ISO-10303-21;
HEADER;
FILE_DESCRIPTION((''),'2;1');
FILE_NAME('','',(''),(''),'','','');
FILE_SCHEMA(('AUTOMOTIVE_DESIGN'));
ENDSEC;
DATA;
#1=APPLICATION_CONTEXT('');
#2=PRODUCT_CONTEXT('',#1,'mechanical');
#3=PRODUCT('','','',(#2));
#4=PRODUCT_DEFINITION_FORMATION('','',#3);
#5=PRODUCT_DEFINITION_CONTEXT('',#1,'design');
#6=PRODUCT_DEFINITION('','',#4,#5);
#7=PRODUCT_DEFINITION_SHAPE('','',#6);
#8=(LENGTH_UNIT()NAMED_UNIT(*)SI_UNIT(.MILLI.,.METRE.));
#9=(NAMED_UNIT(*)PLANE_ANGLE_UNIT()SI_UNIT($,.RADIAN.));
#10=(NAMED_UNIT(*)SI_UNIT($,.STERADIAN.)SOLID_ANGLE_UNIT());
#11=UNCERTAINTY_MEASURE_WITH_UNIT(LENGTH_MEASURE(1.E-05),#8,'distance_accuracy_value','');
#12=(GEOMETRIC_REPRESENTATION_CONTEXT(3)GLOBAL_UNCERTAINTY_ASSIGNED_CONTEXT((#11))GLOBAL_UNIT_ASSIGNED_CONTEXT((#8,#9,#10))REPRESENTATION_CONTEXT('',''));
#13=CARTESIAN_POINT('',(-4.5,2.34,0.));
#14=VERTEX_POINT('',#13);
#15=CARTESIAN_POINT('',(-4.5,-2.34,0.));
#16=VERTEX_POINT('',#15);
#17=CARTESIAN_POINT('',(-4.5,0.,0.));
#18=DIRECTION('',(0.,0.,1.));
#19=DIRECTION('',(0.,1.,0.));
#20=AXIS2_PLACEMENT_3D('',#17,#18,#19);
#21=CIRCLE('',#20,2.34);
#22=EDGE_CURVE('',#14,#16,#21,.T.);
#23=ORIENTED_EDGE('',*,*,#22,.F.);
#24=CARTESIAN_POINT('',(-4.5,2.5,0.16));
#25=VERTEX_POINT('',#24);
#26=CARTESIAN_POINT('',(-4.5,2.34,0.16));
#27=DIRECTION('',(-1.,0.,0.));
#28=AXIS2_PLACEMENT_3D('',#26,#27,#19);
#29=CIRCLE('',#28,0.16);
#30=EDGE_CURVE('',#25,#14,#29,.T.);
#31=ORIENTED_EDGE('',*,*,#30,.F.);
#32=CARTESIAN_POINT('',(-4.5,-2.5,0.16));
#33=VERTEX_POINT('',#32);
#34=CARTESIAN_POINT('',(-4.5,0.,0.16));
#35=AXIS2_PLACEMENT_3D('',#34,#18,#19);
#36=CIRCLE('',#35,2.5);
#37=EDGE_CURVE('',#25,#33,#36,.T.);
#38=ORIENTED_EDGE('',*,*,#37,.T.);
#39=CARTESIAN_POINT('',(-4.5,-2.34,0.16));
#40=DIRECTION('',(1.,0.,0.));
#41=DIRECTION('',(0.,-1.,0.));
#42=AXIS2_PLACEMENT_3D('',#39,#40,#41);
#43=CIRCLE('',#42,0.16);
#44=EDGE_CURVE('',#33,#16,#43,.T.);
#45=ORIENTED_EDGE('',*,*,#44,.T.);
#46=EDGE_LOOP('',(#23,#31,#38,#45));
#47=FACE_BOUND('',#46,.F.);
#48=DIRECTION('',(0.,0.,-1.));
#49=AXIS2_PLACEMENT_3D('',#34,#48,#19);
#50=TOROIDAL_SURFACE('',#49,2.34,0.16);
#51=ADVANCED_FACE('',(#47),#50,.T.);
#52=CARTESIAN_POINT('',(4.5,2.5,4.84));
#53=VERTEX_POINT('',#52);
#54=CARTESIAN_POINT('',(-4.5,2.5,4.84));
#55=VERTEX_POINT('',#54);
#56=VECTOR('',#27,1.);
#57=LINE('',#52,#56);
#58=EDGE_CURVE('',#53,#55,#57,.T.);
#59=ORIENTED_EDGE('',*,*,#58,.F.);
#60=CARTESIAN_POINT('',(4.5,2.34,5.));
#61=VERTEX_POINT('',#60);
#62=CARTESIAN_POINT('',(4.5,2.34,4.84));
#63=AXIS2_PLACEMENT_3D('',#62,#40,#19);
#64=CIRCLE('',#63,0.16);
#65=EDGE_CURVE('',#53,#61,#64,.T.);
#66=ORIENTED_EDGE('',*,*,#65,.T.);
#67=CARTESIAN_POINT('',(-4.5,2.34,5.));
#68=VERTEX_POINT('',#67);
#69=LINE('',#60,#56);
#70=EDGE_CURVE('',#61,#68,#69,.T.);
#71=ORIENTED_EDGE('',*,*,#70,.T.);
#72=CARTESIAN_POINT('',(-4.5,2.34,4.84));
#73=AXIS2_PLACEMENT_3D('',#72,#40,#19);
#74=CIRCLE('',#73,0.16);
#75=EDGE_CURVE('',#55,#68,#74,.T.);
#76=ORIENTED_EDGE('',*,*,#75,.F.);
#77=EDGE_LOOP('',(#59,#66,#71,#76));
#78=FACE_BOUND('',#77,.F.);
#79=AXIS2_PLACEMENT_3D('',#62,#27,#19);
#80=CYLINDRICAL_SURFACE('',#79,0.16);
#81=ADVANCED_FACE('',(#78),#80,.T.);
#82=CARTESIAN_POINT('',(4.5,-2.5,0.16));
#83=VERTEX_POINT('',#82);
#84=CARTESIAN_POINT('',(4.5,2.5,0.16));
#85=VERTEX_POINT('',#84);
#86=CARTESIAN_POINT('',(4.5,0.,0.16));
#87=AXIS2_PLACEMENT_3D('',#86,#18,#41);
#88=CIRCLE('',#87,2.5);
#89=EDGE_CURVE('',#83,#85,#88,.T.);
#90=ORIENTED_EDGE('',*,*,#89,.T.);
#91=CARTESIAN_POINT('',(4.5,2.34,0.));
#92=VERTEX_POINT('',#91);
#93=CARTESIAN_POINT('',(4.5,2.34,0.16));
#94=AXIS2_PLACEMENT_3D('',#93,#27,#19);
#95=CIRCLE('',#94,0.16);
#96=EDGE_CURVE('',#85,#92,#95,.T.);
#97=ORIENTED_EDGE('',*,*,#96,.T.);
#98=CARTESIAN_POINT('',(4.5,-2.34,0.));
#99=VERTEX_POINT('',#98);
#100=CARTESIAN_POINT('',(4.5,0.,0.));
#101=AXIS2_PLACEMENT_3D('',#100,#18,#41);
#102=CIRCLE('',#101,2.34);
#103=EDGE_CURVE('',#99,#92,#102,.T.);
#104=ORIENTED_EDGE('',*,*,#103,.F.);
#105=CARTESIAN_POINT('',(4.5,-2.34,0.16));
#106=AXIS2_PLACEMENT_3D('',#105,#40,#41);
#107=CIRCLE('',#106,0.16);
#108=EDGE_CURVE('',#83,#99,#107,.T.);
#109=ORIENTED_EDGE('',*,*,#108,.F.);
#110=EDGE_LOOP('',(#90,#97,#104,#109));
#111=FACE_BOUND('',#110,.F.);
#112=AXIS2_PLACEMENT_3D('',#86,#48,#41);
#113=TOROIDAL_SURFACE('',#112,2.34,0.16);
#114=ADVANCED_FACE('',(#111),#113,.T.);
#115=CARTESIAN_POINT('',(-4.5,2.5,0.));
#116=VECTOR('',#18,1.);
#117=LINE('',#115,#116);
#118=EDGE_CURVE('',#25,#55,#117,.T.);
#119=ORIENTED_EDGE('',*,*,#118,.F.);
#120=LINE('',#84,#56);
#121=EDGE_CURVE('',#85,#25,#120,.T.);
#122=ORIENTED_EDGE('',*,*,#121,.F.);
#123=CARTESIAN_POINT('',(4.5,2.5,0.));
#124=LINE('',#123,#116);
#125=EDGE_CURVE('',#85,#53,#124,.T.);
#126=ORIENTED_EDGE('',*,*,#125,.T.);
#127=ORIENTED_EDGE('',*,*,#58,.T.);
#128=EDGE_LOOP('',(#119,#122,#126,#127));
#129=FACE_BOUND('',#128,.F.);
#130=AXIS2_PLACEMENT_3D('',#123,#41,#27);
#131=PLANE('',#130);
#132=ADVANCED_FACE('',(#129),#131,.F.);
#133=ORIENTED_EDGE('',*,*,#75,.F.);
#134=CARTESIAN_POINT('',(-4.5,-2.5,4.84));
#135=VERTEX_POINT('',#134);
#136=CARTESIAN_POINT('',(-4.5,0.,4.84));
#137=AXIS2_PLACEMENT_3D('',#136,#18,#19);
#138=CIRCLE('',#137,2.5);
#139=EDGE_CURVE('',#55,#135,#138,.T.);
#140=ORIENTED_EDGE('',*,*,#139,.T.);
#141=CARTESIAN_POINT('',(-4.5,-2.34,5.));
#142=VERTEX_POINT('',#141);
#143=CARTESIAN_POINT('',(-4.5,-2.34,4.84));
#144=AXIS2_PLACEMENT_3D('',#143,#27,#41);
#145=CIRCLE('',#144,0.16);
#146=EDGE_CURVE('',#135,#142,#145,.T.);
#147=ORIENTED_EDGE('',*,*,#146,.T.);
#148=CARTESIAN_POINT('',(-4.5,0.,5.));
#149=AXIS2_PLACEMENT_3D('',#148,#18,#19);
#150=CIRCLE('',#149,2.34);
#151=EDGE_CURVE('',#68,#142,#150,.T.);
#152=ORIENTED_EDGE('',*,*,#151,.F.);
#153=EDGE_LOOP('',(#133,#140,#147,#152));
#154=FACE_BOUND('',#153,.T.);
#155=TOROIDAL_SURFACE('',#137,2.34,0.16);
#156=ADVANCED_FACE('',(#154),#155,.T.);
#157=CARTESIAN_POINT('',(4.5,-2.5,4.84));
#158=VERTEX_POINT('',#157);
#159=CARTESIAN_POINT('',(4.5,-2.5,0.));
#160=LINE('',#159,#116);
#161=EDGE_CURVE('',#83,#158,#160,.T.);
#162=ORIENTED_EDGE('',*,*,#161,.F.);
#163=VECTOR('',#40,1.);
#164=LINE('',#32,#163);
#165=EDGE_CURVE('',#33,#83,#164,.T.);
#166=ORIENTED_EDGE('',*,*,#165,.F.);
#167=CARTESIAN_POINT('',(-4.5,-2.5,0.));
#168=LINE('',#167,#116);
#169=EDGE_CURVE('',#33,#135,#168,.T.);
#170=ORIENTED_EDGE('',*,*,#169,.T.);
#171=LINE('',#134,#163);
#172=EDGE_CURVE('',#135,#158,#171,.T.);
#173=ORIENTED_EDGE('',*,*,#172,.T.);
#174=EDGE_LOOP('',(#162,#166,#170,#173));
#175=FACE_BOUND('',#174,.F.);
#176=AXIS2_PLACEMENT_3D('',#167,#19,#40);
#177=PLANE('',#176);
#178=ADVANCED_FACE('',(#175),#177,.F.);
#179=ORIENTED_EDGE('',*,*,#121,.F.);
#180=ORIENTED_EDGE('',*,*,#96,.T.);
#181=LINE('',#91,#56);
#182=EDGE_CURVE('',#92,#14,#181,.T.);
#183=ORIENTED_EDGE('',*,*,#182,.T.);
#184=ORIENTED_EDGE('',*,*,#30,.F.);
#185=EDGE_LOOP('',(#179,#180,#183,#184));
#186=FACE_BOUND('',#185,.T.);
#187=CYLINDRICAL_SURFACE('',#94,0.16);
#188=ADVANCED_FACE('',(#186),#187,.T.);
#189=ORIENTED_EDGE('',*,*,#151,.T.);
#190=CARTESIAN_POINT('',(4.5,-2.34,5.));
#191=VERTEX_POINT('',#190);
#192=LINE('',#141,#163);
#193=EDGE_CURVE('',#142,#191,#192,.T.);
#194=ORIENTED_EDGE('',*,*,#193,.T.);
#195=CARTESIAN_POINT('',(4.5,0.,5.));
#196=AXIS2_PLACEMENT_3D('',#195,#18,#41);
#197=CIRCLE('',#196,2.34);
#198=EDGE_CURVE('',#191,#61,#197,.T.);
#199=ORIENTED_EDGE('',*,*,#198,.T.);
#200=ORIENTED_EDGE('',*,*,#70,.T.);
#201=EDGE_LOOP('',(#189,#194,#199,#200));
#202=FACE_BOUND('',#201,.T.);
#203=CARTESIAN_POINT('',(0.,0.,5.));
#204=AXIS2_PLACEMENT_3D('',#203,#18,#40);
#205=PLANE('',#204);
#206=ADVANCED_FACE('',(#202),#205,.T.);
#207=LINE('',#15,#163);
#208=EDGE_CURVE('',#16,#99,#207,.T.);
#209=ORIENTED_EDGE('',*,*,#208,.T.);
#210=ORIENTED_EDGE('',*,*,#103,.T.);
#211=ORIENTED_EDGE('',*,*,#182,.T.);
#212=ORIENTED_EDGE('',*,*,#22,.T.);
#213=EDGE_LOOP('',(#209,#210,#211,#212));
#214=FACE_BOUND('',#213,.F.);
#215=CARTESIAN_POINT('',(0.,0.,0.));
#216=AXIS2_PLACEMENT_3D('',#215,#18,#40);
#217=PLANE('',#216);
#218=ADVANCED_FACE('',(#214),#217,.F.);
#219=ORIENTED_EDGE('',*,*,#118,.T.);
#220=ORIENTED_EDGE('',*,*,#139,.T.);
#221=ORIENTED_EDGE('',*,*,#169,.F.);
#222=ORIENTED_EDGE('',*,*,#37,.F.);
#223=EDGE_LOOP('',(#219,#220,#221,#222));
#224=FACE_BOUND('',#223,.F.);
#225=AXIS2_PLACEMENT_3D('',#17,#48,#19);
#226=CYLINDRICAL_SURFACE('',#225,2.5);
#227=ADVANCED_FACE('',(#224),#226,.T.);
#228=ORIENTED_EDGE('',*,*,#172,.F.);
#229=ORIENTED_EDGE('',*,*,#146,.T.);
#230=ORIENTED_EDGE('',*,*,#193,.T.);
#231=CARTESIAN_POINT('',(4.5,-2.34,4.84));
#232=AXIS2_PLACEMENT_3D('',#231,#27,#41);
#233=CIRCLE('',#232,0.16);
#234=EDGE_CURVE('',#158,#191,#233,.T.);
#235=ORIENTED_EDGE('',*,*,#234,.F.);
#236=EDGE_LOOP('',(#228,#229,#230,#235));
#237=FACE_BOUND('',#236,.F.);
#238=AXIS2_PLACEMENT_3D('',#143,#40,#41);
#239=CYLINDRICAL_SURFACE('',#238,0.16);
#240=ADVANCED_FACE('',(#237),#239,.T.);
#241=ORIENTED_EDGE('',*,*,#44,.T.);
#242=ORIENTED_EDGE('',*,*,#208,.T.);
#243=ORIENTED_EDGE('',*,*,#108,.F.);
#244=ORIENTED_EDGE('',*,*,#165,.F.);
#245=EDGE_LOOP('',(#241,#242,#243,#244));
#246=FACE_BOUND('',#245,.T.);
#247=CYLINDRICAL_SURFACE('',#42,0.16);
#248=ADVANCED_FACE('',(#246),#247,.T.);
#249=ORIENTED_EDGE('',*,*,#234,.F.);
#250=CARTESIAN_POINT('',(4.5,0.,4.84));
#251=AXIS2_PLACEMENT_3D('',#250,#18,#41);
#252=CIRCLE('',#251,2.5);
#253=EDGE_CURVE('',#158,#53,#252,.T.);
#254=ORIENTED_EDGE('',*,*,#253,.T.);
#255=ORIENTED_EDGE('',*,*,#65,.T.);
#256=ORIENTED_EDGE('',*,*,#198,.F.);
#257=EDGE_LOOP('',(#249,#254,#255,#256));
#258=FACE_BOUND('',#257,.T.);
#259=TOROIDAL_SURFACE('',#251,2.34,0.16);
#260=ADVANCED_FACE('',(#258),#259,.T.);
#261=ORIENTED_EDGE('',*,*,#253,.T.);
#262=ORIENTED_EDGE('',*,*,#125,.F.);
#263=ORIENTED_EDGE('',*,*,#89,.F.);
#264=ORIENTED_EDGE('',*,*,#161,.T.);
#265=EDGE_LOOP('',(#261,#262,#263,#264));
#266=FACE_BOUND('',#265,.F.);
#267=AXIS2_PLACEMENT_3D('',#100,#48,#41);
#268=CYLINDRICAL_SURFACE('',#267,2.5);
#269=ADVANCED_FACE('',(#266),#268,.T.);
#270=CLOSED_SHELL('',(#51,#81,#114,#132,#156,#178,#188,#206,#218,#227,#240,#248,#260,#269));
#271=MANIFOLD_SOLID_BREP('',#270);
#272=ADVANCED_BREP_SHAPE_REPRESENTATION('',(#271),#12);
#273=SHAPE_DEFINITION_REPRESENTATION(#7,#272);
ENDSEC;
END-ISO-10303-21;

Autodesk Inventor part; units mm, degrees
ref_plane "YZ Plane" through (0, 0, 0) normal (1, 0, 0) x (0, 1, 0)
ref_plane "XZ Plane" through (0, 0, 0) normal (0, 1, 0) x (-1, 0, 0)
ref_plane "XY Plane" through (0, 0, 0) normal (0, 0, 1) x (1, 0, 0)
sketch "草圖1" plane through (0, 0, 0) normal (0, 0, 1) x (1, 0, 0)
  line L0 (-4.5, -2.5) -> (4.5, -2.5)
  line L1 (4.5, -2.5) -> (4.5, 2.5)
  line L2 (4.5, 2.5) -> (-4.5, 2.5)
  line L3 (-4.5, 2.5) -> (-4.5, -2.5)
  line L4 (-4.5, -2.5) -> (4.5, 2.5) construction
  line L5 (4.5, -2.5) -> (-4.5, 2.5) construction
  arc A0 (-4.5, 2.5) -> (-4.5, -2.5) centre (-4.5, 0) ccw
  arc A1 (4.5, -2.5) -> (4.5, 2.5) centre (4.5, 0) ccw
  point P0 (0, 0)
  dimension "d0" = 9
  dimension "d1" = 5
extrude "擠出1" add sketch "草圖1" along normal blind 5
fillet "圓角1" radius 0.16 8 edges at (-7, 0, 5) (0, -2.5, 5) (7, 0, 5) (0, 2.5, 5) (7, 0, 0) (0, -2.5, 0) (-7, 0, 0) (0, 2.5, 0)
properties part number "key"
